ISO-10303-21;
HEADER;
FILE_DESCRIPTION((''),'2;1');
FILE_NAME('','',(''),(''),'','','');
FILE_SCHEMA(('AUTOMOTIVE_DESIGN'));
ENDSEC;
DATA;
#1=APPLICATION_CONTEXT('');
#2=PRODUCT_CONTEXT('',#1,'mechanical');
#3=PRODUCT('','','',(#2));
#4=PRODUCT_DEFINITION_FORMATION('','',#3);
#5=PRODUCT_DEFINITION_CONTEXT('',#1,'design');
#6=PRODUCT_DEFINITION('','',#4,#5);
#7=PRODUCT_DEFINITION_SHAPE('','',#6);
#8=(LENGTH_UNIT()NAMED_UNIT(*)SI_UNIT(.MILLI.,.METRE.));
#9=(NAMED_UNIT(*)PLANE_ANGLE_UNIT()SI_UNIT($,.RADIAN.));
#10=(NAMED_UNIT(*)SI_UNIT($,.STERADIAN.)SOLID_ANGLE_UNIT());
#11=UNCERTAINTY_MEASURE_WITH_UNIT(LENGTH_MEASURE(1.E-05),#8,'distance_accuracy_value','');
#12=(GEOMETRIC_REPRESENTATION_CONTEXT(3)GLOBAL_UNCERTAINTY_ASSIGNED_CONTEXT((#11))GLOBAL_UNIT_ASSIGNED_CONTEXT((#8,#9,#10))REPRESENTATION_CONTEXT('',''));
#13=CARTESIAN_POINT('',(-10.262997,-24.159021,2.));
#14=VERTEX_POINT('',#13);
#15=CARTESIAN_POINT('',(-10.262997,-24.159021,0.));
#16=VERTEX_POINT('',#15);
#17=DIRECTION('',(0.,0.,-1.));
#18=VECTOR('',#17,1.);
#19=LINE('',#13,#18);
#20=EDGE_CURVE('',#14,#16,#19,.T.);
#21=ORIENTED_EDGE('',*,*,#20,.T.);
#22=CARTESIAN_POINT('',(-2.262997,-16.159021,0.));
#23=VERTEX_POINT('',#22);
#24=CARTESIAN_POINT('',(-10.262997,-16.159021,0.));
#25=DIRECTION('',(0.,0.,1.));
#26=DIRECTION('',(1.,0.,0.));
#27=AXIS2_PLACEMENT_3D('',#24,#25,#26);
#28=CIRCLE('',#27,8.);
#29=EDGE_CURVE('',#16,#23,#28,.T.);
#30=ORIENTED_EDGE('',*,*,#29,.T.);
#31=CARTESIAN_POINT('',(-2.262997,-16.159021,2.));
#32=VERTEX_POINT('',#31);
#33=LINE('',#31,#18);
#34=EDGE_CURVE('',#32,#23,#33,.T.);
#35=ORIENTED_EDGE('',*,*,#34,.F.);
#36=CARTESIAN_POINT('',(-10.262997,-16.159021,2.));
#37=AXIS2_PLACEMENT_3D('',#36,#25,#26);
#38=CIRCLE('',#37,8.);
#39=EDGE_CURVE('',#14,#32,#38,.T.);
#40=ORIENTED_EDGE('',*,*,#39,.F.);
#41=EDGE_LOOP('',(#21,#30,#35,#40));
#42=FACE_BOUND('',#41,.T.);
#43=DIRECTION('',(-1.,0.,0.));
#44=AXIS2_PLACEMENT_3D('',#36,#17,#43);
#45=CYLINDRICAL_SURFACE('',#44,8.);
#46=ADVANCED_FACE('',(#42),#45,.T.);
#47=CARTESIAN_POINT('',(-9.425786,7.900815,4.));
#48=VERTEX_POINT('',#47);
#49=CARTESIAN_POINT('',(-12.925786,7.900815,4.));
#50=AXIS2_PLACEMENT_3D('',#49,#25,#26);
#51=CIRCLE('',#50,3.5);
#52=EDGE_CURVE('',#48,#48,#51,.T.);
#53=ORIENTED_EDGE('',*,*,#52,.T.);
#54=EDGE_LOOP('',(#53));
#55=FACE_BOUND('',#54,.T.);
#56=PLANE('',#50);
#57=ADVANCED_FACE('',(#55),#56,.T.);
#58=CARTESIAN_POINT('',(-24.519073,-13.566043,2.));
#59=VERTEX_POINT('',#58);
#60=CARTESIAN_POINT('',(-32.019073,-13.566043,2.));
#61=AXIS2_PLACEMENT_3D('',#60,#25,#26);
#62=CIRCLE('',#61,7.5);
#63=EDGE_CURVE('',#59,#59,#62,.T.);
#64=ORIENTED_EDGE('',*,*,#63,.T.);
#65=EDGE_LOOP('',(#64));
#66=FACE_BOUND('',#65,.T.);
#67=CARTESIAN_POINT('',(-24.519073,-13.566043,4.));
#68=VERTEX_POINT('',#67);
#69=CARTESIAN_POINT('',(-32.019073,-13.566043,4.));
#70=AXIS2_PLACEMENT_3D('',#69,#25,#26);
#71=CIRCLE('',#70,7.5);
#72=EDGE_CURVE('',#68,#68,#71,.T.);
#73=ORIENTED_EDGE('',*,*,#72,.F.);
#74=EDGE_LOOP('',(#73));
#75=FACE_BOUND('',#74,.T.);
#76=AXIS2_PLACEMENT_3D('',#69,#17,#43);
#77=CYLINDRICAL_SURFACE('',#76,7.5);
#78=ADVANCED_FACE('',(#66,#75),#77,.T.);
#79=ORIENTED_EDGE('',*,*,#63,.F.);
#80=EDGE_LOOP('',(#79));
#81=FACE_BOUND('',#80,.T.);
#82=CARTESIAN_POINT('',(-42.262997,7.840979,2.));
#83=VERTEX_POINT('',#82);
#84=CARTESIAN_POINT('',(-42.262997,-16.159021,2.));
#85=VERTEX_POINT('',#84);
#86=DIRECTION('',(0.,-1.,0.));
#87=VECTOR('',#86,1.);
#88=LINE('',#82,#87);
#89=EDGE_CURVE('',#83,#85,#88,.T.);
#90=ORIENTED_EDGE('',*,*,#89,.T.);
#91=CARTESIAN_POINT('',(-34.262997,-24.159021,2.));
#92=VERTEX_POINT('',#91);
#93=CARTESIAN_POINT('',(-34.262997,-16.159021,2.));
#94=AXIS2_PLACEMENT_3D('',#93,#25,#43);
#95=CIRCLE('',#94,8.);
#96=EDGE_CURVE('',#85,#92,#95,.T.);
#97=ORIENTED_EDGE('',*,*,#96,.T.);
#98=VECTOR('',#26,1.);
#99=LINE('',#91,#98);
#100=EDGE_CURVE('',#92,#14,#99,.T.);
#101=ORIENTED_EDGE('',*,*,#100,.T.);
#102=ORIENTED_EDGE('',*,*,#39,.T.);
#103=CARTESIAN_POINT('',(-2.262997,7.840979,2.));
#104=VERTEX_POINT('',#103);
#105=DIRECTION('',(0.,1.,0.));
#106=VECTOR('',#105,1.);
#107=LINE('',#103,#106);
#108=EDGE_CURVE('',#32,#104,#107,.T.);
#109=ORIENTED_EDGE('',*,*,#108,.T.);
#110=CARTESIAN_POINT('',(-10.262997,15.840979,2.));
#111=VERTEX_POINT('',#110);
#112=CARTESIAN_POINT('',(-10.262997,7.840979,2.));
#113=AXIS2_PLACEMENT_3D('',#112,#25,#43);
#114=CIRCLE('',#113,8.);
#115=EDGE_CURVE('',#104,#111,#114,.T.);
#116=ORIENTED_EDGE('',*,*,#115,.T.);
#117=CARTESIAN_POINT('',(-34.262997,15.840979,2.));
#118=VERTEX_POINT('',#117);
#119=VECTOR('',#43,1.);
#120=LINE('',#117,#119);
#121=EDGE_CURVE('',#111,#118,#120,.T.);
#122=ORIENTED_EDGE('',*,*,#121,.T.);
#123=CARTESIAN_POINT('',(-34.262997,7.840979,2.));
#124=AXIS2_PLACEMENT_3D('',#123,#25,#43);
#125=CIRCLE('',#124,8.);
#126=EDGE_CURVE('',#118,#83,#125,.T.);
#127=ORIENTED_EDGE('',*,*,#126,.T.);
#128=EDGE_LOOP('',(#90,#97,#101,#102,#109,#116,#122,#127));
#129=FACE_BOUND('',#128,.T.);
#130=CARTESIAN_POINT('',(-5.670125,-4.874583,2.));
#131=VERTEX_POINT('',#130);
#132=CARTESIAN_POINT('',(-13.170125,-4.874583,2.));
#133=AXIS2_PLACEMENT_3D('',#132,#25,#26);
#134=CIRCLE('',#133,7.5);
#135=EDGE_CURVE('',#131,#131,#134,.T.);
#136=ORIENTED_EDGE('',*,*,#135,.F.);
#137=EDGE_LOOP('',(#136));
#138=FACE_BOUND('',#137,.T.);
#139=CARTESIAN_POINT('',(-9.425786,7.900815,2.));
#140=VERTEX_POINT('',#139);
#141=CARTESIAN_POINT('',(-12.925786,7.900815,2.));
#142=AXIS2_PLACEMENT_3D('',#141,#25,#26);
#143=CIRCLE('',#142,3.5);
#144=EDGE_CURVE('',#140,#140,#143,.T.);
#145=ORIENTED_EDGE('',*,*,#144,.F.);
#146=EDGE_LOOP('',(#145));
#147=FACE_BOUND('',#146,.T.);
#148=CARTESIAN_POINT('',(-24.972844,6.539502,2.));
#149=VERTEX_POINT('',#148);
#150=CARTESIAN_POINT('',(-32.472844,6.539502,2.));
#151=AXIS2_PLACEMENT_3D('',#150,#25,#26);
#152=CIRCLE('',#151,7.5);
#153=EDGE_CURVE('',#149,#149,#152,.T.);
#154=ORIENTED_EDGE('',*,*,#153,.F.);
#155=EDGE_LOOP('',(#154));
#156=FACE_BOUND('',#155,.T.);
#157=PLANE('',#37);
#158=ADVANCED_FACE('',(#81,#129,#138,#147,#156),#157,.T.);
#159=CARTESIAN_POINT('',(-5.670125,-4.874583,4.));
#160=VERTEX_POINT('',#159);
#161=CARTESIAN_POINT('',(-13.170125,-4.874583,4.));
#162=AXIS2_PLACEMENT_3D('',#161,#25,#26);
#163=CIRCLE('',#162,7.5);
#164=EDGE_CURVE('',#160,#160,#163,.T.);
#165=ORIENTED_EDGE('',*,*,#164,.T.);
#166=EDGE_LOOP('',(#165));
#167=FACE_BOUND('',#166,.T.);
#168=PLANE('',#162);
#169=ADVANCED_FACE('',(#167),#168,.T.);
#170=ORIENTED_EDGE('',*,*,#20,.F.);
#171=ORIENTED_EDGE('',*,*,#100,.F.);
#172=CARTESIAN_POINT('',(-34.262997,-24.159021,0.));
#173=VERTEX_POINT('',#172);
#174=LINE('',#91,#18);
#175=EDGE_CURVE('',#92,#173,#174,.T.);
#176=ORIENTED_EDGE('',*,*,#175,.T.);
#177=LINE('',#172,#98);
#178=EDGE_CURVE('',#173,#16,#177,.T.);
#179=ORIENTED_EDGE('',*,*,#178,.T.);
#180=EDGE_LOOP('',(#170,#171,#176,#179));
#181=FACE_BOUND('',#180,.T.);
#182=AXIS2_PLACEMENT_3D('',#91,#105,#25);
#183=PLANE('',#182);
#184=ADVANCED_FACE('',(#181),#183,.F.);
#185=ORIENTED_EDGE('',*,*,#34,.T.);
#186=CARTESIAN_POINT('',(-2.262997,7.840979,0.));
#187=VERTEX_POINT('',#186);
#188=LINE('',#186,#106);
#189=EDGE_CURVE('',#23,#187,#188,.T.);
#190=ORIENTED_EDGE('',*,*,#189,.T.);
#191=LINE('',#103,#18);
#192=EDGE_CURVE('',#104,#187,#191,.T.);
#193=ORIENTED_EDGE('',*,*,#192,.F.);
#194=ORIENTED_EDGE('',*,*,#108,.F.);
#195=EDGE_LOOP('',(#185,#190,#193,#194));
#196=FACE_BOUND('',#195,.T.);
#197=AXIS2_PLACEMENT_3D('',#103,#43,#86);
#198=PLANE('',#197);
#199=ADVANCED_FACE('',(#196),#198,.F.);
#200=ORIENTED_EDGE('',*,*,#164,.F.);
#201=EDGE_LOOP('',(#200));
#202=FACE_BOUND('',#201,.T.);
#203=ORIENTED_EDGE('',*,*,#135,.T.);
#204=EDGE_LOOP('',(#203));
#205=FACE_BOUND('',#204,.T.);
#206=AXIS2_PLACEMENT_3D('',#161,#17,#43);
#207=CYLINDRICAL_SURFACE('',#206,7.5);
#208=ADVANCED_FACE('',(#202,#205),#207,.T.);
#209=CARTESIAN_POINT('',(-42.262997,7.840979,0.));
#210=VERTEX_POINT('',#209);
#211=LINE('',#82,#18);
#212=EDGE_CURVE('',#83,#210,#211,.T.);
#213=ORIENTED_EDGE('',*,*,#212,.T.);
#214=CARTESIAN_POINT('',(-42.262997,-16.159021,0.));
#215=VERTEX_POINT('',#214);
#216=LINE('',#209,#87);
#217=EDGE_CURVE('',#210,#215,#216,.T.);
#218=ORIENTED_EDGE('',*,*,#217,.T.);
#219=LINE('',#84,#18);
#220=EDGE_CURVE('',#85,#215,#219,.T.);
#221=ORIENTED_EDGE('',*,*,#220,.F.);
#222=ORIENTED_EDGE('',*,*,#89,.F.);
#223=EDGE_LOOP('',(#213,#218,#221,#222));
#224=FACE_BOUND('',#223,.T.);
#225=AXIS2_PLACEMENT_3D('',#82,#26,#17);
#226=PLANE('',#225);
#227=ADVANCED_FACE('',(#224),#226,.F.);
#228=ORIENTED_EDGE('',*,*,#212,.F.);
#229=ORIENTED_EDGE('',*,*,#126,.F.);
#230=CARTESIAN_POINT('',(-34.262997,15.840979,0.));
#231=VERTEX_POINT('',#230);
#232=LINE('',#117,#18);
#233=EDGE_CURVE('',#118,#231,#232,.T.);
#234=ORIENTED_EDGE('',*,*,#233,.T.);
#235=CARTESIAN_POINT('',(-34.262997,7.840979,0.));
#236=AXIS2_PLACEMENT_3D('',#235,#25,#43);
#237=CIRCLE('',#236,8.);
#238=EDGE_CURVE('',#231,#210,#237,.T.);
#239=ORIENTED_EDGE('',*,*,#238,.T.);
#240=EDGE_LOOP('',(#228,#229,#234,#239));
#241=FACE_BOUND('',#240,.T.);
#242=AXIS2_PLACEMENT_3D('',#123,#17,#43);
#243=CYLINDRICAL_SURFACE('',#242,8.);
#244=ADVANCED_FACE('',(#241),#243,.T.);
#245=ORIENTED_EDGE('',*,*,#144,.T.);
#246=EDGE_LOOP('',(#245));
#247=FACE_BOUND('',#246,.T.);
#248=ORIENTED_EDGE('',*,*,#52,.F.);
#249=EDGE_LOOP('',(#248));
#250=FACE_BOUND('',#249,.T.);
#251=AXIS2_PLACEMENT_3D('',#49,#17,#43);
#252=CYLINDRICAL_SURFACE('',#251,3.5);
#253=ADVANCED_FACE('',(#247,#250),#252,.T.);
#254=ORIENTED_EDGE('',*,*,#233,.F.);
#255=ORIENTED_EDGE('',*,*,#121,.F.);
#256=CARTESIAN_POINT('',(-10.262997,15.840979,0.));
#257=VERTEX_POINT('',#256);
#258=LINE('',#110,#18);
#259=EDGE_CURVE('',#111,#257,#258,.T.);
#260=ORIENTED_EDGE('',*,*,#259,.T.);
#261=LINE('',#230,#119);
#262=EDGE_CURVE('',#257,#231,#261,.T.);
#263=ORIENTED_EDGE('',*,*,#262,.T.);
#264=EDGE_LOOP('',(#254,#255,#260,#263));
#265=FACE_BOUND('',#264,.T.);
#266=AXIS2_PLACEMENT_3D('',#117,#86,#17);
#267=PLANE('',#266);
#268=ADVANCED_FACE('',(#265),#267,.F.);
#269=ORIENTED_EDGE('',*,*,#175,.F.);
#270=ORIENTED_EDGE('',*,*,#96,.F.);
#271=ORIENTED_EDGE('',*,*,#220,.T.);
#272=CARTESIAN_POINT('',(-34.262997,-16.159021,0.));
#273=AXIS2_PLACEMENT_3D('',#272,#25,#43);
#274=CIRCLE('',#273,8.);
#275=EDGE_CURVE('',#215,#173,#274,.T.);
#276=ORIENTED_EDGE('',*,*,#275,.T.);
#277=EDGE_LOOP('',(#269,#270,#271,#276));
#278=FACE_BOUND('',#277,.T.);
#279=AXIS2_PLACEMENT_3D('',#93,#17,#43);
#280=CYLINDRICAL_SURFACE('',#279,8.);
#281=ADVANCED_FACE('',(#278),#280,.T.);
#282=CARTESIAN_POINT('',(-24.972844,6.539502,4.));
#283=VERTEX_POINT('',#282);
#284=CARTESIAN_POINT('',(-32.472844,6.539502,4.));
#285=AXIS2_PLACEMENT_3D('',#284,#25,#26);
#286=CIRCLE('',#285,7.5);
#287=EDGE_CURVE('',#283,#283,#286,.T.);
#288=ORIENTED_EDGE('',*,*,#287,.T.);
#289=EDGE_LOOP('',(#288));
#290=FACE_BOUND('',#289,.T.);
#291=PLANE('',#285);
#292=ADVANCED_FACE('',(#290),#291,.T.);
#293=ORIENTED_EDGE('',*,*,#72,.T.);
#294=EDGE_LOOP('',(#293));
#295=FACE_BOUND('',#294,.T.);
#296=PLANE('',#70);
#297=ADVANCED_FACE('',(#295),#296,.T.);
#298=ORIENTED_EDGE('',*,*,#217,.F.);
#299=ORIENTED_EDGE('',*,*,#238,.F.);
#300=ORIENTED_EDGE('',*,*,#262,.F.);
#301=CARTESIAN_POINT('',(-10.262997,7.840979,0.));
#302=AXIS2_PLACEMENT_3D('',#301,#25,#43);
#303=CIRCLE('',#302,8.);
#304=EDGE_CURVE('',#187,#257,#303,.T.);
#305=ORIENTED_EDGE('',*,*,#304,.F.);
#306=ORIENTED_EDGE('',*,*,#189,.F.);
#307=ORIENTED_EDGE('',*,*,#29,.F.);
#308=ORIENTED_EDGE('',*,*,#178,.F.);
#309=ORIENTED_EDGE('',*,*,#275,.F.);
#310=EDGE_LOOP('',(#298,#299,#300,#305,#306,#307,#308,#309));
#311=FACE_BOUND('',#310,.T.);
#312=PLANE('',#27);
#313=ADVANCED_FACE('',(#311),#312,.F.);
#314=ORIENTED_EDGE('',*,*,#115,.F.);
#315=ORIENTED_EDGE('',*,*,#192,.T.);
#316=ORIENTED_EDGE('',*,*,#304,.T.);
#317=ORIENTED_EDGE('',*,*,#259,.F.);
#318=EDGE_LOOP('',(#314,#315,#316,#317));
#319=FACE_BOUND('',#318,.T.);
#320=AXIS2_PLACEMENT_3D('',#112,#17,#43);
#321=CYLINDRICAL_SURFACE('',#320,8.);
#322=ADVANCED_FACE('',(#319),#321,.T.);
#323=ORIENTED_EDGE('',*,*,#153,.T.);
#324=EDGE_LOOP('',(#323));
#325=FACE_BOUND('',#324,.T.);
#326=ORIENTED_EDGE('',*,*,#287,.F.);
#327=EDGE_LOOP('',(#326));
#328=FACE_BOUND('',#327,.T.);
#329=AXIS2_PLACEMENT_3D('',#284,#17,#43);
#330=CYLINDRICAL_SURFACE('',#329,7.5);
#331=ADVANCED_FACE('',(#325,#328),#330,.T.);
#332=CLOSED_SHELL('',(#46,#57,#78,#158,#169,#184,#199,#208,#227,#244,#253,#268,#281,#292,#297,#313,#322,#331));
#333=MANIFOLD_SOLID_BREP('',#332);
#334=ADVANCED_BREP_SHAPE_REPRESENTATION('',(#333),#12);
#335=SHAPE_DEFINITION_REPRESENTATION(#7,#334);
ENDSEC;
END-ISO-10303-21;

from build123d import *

# Parameters (mm, degrees)
EXTRUDE_1_DEPTH = 2
SKETCH_2_R      = 7.5
SKETCH_2_R_2    = 3.5
EXTRUDE_2_DEPTH = 2


with BuildPart() as part:
    # 草图1 → 凸台-拉伸1 (new body)
    with BuildSketch(Plane.XY):
        with BuildLine():
            Line((-34.262996942, 15.840978593), (-10.262996942, 15.840978593))
            ThreePointArc((-10.262996942, 15.840978593), (-4.606142692, 13.497832843), (-2.262996942, 7.840978593))
            Line((-2.262996942, 7.840978593), (-2.262996942, -16.159021407))
            ThreePointArc((-2.262996942, -16.159021407), (-4.606142692, -21.815875656), (-10.262996942, -24.159021407))
            Line((-10.262996942, -24.159021407), (-34.262996942, -24.159021407))
            ThreePointArc((-34.262996942, -24.159021407), (-39.919851191, -21.815875656), (-42.262996942, -16.159021407))
            Line((-42.262996942, -16.159021407), (-42.262996942, 7.840978593))
            ThreePointArc((-42.262996942, 7.840978593), (-39.919851191, 13.497832843), (-34.262996942, 15.840978593))
        make_face()
    extrude(amount=EXTRUDE_1_DEPTH)

    # 草图2 → 凸台-拉伸2 (add)
    with BuildSketch(Plane.XY.offset(2)):
        with Locations((-32.472843906, 6.539501993)):
            Circle(SKETCH_2_R)
        with Locations((-32.01907293, -13.566042797)):
            Circle(SKETCH_2_R)
        with Locations((-13.170124689, -4.874583331)):
            Circle(SKETCH_2_R)
        with Locations((-12.925786471, 7.900814922)):
            Circle(SKETCH_2_R_2)
    extrude(amount=EXTRUDE_2_DEPTH)


solid = part.part
